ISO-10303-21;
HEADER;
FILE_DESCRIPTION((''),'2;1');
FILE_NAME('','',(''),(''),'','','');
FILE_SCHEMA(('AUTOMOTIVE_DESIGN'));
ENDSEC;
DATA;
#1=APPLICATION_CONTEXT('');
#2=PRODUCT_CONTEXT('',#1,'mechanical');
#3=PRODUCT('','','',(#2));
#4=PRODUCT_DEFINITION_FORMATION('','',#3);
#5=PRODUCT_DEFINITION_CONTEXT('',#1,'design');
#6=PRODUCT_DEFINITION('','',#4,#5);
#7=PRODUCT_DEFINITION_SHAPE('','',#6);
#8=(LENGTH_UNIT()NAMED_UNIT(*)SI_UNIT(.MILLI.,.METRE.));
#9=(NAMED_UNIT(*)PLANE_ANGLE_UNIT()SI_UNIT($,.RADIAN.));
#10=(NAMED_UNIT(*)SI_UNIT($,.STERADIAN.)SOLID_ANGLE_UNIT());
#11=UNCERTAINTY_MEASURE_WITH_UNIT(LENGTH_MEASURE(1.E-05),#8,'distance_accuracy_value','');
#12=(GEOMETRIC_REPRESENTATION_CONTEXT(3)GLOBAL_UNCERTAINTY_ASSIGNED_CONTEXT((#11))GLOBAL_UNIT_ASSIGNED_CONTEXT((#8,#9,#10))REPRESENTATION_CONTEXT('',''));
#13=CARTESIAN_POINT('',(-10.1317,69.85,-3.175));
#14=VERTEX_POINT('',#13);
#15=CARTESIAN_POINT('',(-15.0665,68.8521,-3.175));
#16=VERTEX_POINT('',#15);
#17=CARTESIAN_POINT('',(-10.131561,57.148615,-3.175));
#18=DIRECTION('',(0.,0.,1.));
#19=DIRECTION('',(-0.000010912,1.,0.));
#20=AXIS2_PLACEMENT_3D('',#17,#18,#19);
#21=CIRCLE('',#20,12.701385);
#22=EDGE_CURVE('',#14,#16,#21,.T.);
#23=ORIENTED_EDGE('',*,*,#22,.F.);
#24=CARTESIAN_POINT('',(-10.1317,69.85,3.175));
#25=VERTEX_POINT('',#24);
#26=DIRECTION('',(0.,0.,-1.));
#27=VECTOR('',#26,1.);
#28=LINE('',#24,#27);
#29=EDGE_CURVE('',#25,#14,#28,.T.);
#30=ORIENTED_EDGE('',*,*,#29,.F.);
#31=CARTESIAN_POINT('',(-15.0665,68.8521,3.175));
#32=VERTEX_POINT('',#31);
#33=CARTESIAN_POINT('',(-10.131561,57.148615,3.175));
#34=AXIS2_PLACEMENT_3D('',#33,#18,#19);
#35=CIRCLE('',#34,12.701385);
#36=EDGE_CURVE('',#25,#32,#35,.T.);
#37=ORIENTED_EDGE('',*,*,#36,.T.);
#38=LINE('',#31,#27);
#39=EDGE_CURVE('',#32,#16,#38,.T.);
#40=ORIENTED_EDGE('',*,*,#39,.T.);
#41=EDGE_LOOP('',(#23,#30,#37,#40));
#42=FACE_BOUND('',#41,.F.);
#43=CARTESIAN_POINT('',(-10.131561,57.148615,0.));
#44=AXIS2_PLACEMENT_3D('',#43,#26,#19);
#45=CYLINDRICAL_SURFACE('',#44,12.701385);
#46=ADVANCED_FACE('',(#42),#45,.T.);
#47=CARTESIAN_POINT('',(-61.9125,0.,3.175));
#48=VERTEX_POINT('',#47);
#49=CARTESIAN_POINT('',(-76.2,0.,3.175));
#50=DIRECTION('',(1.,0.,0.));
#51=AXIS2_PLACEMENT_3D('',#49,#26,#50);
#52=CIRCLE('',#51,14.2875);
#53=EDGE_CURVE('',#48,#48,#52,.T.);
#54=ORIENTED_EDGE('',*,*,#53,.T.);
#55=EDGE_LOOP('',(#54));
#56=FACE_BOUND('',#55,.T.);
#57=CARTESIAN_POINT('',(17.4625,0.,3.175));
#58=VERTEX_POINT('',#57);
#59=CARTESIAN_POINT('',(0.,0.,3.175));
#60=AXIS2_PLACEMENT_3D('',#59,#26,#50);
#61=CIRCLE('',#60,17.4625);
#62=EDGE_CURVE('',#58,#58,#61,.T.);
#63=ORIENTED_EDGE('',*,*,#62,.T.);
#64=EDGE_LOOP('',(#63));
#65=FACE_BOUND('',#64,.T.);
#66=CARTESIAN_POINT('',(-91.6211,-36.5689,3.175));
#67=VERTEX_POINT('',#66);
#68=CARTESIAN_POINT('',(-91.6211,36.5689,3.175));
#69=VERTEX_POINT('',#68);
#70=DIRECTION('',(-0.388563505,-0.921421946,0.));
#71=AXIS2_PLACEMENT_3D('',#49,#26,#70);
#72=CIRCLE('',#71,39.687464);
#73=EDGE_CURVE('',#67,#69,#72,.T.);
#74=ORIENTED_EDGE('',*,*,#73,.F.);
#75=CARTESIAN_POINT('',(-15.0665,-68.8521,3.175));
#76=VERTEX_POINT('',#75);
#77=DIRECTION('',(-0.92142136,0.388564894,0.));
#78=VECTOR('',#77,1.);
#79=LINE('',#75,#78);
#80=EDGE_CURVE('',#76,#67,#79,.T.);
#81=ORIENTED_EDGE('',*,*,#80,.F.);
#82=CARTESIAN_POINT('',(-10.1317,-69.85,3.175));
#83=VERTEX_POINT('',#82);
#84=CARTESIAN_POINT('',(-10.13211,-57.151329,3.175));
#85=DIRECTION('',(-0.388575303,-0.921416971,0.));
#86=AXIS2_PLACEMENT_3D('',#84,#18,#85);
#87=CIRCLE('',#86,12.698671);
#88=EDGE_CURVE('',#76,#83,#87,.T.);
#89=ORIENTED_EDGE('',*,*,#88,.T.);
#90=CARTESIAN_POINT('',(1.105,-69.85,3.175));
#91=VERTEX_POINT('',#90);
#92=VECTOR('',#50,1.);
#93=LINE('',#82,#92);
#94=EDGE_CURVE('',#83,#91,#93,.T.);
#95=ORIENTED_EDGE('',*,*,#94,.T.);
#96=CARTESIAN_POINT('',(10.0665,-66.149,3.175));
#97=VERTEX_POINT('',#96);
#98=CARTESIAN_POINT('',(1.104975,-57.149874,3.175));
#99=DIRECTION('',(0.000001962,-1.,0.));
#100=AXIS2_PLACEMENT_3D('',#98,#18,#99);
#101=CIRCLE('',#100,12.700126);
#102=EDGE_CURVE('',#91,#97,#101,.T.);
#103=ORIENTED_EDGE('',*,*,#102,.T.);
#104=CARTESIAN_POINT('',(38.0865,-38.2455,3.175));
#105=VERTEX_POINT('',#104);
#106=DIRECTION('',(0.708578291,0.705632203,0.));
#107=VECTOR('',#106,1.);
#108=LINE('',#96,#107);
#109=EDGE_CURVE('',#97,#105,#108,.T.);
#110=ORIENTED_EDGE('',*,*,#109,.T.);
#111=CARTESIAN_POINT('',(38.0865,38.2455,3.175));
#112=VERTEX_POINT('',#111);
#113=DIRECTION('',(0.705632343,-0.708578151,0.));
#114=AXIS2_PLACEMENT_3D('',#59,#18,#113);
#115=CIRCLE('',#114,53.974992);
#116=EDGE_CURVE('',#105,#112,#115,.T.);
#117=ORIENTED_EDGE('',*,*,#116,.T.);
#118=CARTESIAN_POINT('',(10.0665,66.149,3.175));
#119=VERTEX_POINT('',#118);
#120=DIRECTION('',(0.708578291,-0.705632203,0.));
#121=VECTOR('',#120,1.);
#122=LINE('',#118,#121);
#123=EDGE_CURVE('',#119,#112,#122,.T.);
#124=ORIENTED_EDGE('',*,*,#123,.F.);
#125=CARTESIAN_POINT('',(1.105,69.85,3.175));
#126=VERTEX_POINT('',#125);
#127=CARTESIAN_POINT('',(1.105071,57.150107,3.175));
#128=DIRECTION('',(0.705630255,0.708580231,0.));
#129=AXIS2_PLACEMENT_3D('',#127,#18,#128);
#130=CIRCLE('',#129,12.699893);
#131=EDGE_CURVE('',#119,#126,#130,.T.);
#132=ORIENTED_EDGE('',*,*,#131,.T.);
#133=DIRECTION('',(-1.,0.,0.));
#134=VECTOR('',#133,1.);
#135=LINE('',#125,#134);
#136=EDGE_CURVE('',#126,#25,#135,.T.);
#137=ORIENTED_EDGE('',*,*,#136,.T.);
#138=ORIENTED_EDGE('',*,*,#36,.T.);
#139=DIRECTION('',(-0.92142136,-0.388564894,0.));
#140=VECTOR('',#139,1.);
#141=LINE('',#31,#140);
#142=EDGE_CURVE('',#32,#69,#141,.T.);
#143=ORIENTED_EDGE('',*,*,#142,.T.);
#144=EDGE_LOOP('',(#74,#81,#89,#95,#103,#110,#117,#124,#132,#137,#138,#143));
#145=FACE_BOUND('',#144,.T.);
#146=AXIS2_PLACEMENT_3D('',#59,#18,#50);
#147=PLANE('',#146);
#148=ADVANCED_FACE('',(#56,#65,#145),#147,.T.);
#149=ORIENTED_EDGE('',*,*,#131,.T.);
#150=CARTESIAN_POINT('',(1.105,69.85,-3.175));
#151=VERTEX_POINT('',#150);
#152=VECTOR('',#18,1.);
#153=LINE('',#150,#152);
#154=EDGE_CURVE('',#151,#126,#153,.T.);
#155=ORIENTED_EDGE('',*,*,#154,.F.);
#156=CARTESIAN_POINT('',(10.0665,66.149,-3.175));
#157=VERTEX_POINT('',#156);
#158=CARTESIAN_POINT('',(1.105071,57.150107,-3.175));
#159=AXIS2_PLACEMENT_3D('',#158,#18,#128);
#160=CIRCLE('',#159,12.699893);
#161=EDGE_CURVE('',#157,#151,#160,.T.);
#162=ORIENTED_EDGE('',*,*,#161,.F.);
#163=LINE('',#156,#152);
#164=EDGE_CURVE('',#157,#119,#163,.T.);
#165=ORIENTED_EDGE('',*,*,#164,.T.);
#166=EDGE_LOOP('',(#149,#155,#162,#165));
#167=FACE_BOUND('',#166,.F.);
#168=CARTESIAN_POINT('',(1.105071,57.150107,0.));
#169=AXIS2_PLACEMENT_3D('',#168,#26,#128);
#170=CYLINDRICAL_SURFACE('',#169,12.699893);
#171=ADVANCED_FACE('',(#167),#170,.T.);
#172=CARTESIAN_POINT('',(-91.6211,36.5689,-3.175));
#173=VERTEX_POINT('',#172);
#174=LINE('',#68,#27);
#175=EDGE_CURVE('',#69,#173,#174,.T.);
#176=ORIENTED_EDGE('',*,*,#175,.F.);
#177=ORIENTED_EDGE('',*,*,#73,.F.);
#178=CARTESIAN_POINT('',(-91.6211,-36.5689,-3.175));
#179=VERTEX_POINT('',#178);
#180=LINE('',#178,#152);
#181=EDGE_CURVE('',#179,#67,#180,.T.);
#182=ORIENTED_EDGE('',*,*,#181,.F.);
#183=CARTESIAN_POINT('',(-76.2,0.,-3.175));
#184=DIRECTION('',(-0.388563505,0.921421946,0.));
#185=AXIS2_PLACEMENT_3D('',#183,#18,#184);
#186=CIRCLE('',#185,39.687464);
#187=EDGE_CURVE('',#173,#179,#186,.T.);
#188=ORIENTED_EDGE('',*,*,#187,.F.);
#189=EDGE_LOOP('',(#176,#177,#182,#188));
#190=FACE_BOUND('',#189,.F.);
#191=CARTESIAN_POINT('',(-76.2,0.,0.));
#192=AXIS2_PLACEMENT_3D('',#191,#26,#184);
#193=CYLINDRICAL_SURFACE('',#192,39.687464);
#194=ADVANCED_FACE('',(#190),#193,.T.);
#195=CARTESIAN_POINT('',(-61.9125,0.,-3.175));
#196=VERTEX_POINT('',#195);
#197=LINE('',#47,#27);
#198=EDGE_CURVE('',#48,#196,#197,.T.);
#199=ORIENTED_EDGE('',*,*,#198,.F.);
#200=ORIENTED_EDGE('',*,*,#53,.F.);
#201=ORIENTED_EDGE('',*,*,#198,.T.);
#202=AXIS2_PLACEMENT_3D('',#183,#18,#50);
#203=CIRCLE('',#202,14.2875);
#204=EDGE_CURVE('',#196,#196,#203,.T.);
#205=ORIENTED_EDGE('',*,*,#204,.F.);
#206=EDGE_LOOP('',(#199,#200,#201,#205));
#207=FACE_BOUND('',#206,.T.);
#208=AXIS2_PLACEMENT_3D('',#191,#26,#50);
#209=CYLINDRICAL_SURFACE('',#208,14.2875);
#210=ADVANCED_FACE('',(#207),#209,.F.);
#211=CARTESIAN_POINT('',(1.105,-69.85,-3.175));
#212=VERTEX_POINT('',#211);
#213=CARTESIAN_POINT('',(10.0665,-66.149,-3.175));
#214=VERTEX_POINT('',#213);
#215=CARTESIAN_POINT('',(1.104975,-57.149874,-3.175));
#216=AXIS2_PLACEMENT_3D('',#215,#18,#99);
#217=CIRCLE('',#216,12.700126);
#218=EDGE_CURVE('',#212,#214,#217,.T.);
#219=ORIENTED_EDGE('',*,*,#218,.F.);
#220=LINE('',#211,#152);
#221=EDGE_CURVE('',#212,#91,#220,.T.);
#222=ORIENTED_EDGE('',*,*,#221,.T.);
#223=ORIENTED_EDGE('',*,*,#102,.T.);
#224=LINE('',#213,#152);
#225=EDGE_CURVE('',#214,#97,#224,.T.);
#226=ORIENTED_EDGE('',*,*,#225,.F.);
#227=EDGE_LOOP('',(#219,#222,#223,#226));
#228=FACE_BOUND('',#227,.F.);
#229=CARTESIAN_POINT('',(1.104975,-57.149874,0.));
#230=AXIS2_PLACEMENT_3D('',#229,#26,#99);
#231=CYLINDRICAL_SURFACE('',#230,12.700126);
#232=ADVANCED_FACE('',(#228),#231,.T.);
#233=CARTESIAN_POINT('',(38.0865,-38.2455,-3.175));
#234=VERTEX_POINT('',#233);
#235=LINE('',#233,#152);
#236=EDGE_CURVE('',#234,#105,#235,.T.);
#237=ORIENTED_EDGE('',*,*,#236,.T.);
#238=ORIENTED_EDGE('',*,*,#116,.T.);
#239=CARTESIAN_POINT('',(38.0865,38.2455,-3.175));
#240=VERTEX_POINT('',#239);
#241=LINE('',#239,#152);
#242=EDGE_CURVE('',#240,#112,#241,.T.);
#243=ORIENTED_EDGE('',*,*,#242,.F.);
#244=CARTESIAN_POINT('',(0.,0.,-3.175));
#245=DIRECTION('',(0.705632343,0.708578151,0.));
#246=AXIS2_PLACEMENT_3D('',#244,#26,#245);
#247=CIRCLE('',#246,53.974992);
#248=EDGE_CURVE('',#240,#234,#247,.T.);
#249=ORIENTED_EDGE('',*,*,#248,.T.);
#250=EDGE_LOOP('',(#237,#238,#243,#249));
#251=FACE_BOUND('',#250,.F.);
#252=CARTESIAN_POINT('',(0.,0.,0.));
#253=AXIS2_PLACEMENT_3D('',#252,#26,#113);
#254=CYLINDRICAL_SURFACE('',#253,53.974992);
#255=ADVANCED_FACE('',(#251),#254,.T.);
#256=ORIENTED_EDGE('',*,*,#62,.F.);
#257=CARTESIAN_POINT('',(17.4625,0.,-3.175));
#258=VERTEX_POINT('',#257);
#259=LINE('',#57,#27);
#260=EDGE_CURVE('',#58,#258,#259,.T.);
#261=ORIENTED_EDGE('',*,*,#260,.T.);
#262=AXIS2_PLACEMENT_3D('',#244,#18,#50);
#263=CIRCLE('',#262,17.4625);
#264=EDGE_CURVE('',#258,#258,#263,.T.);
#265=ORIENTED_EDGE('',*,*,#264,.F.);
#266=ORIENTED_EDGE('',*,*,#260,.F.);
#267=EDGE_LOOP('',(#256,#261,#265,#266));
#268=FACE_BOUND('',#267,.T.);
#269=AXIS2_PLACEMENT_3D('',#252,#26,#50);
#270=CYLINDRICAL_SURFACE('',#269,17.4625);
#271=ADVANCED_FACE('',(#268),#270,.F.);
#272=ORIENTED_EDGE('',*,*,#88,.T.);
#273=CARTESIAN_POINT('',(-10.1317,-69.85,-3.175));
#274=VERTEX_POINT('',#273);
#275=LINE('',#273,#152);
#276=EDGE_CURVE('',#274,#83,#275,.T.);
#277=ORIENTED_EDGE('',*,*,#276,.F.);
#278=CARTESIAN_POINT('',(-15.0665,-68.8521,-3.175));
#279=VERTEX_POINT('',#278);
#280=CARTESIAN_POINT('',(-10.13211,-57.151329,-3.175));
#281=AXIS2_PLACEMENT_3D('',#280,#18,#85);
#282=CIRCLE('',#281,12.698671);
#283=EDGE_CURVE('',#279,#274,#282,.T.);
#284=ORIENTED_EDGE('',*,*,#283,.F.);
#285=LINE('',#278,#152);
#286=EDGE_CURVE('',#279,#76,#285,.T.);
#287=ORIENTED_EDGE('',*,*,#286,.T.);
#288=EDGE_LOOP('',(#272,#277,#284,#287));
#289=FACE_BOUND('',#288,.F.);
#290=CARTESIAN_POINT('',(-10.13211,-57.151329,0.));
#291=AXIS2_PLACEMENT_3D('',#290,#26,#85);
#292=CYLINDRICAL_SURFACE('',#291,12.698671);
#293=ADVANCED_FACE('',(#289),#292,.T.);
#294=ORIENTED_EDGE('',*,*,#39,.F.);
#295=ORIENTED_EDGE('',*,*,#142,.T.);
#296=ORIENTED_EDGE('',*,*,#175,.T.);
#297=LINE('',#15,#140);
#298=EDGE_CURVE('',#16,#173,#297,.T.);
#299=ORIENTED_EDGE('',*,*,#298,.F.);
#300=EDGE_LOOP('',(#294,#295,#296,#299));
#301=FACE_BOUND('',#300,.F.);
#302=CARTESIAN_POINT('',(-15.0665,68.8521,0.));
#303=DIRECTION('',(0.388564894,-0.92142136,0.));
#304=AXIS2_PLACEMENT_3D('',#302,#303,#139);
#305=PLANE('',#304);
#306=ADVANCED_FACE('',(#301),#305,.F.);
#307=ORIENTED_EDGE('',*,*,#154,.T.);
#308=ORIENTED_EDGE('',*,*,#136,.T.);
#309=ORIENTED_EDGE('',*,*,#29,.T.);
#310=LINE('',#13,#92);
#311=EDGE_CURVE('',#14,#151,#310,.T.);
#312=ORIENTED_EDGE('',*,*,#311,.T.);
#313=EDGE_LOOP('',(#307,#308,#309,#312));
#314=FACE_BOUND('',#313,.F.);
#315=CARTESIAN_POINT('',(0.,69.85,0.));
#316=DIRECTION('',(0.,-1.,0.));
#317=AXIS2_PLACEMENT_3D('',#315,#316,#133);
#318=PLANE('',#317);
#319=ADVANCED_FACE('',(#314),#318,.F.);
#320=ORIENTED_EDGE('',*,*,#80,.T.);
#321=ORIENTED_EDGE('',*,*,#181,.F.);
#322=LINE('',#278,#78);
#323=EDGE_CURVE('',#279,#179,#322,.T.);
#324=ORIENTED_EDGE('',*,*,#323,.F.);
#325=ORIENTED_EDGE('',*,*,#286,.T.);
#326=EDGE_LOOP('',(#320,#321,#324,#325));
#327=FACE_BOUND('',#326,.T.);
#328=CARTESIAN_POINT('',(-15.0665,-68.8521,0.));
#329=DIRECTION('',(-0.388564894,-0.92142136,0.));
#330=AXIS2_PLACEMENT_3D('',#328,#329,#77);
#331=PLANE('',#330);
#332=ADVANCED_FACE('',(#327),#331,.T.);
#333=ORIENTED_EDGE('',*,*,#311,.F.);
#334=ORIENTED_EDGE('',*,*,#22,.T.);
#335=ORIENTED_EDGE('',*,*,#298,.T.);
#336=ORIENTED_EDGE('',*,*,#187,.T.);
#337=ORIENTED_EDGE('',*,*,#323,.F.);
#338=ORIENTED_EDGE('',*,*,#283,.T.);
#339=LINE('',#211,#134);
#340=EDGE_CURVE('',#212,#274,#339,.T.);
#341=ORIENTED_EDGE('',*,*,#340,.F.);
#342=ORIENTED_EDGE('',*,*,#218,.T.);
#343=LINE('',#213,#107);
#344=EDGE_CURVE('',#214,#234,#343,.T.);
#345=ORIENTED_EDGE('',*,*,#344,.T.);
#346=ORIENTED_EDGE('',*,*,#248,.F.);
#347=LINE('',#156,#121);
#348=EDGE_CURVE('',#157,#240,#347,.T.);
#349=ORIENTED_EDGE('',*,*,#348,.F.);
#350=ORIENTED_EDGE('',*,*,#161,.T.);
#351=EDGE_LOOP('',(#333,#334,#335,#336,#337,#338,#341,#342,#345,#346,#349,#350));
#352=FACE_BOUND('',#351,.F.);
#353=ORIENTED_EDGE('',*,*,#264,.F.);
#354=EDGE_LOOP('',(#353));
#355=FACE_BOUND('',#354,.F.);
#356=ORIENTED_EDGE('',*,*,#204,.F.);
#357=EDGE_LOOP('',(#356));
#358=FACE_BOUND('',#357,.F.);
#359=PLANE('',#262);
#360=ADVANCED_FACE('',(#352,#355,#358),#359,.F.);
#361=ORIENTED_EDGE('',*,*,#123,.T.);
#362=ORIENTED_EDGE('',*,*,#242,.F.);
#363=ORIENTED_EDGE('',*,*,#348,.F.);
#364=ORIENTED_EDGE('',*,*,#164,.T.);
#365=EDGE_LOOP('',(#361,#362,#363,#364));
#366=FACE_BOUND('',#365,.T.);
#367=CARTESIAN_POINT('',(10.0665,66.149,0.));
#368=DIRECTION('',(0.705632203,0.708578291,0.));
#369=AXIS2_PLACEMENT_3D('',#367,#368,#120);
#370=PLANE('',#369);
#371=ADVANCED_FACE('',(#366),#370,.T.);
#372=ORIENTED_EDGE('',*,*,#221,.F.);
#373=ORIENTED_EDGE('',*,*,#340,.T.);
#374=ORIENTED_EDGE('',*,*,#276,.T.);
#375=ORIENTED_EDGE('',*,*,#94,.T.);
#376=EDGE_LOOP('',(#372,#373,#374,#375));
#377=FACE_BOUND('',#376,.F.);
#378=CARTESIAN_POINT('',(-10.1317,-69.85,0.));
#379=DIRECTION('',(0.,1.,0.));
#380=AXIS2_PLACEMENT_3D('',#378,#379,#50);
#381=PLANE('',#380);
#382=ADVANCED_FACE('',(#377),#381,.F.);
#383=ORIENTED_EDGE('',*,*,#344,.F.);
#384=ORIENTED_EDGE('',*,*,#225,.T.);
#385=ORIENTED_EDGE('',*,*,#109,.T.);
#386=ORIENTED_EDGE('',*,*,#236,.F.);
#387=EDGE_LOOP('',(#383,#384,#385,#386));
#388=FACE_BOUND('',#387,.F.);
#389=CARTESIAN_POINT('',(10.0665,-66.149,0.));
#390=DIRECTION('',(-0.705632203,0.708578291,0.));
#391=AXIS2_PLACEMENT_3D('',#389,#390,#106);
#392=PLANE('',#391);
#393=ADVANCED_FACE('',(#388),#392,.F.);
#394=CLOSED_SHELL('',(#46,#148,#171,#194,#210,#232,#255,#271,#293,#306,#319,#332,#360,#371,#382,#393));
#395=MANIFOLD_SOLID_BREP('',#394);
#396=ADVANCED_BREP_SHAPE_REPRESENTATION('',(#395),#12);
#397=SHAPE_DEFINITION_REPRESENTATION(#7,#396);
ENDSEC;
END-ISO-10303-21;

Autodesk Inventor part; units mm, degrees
ref_plane "YZ Plane" through (0, 0, 0) normal (1, 0, 0) x (0, 1, 0)
ref_plane "XZ Plane" through (0, 0, 0) normal (0, 1, 0) x (-1, 0, 0)
ref_plane "XY Plane" through (0, 0, 0) normal (0, 0, 1) x (1, 0, 0)
sketch "Sketch1" plane through (0, 0, 0) normal (0, 0, 1) x (1, 0, 0)
  line L0 (-149.86, 0) -> (87.9475, 0) projected
  line L1 (0, -137.1561) -> (0, 141.8112) projected
  line L2 (11.7901, -97.3036) -> (11.7901, 101.9587) construction
  circle A0 centre (0, 0) radius 50.8 construction
  circle A1 centre (0, 0) radius 17.4625
  line L3 (1.105, 69.85) -> (-10.1317, 69.85)
  line L4 (10.0665, 66.149) -> (38.0865, 38.2455)
  line L5 (-10.1317, -69.85) -> (1.105, -69.85)
  line L6 (10.0665, -66.149) -> (38.0865, -38.2455)
  arc A2 (38.0865, -38.2455) -> (38.0865, 38.2455) centre (0, 0) ccw
  circle A3 centre (-76.2, 0) radius 14.2875
  arc A4 (-91.6211, 36.5689) -> (-91.6211, -36.5689) centre (-76.2, 0) ccw
  line L7 (-15.0665, 68.8521) -> (-91.6211, 36.5689)
  line L8 (-15.0665, -68.8521) -> (-91.6211, -36.5689)
  line L9 (-63.5889, 6.715) -> (-63.5889, -6.715) construction
  arc A5 (-10.1317, 69.85) -> (-15.0665, 68.8521) centre (-10.1317, 57.15) ccw
  arc A6 (10.0665, 66.149) -> (1.105, 69.85) centre (1.105, 57.15) ccw
  arc A7 (1.105, -69.85) -> (10.0665, -66.149) centre (1.105, -57.15) ccw
  arc A8 (-15.0665, -68.8521) -> (-10.1317, -69.85) centre (-10.1317, -57.15) ccw
  point P0 (11.7901, -97.3036)
  point P1 (11.7901, 101.9587)
  point P2 (46.1798, 0)
  point P3 (6.35, 69.85)
  point P4 (-12.7, 69.85)
  point P5 (6.35, -69.85)
  dimension "d9" = 101.6
  dimension "d10" = 34.925
  dimension "d12" = 69.85
  dimension "d15" = 19.05
  dimension "d16" = 3.175
  dimension "d19" = 28.575
  dimension "d20" = 25.4
  dimension "d22" = 6.35
  dimension "d23" = 6.35
  dimension "d24" = 12.7
  dimension "d25" = 76.2
extrude "Extrusion1" add sketch "Sketch1" along normal mid plane 6.35 contours A4 L7 A5 L3 L1 A1 L0 A3 | L0 A3 A1 L1 L5 A8 L8 A4 | L1 L3 A6 L4 A2 L0 A1 | A1 L0 A2 L6 A7 L5 L1
properties part number "full plate"
